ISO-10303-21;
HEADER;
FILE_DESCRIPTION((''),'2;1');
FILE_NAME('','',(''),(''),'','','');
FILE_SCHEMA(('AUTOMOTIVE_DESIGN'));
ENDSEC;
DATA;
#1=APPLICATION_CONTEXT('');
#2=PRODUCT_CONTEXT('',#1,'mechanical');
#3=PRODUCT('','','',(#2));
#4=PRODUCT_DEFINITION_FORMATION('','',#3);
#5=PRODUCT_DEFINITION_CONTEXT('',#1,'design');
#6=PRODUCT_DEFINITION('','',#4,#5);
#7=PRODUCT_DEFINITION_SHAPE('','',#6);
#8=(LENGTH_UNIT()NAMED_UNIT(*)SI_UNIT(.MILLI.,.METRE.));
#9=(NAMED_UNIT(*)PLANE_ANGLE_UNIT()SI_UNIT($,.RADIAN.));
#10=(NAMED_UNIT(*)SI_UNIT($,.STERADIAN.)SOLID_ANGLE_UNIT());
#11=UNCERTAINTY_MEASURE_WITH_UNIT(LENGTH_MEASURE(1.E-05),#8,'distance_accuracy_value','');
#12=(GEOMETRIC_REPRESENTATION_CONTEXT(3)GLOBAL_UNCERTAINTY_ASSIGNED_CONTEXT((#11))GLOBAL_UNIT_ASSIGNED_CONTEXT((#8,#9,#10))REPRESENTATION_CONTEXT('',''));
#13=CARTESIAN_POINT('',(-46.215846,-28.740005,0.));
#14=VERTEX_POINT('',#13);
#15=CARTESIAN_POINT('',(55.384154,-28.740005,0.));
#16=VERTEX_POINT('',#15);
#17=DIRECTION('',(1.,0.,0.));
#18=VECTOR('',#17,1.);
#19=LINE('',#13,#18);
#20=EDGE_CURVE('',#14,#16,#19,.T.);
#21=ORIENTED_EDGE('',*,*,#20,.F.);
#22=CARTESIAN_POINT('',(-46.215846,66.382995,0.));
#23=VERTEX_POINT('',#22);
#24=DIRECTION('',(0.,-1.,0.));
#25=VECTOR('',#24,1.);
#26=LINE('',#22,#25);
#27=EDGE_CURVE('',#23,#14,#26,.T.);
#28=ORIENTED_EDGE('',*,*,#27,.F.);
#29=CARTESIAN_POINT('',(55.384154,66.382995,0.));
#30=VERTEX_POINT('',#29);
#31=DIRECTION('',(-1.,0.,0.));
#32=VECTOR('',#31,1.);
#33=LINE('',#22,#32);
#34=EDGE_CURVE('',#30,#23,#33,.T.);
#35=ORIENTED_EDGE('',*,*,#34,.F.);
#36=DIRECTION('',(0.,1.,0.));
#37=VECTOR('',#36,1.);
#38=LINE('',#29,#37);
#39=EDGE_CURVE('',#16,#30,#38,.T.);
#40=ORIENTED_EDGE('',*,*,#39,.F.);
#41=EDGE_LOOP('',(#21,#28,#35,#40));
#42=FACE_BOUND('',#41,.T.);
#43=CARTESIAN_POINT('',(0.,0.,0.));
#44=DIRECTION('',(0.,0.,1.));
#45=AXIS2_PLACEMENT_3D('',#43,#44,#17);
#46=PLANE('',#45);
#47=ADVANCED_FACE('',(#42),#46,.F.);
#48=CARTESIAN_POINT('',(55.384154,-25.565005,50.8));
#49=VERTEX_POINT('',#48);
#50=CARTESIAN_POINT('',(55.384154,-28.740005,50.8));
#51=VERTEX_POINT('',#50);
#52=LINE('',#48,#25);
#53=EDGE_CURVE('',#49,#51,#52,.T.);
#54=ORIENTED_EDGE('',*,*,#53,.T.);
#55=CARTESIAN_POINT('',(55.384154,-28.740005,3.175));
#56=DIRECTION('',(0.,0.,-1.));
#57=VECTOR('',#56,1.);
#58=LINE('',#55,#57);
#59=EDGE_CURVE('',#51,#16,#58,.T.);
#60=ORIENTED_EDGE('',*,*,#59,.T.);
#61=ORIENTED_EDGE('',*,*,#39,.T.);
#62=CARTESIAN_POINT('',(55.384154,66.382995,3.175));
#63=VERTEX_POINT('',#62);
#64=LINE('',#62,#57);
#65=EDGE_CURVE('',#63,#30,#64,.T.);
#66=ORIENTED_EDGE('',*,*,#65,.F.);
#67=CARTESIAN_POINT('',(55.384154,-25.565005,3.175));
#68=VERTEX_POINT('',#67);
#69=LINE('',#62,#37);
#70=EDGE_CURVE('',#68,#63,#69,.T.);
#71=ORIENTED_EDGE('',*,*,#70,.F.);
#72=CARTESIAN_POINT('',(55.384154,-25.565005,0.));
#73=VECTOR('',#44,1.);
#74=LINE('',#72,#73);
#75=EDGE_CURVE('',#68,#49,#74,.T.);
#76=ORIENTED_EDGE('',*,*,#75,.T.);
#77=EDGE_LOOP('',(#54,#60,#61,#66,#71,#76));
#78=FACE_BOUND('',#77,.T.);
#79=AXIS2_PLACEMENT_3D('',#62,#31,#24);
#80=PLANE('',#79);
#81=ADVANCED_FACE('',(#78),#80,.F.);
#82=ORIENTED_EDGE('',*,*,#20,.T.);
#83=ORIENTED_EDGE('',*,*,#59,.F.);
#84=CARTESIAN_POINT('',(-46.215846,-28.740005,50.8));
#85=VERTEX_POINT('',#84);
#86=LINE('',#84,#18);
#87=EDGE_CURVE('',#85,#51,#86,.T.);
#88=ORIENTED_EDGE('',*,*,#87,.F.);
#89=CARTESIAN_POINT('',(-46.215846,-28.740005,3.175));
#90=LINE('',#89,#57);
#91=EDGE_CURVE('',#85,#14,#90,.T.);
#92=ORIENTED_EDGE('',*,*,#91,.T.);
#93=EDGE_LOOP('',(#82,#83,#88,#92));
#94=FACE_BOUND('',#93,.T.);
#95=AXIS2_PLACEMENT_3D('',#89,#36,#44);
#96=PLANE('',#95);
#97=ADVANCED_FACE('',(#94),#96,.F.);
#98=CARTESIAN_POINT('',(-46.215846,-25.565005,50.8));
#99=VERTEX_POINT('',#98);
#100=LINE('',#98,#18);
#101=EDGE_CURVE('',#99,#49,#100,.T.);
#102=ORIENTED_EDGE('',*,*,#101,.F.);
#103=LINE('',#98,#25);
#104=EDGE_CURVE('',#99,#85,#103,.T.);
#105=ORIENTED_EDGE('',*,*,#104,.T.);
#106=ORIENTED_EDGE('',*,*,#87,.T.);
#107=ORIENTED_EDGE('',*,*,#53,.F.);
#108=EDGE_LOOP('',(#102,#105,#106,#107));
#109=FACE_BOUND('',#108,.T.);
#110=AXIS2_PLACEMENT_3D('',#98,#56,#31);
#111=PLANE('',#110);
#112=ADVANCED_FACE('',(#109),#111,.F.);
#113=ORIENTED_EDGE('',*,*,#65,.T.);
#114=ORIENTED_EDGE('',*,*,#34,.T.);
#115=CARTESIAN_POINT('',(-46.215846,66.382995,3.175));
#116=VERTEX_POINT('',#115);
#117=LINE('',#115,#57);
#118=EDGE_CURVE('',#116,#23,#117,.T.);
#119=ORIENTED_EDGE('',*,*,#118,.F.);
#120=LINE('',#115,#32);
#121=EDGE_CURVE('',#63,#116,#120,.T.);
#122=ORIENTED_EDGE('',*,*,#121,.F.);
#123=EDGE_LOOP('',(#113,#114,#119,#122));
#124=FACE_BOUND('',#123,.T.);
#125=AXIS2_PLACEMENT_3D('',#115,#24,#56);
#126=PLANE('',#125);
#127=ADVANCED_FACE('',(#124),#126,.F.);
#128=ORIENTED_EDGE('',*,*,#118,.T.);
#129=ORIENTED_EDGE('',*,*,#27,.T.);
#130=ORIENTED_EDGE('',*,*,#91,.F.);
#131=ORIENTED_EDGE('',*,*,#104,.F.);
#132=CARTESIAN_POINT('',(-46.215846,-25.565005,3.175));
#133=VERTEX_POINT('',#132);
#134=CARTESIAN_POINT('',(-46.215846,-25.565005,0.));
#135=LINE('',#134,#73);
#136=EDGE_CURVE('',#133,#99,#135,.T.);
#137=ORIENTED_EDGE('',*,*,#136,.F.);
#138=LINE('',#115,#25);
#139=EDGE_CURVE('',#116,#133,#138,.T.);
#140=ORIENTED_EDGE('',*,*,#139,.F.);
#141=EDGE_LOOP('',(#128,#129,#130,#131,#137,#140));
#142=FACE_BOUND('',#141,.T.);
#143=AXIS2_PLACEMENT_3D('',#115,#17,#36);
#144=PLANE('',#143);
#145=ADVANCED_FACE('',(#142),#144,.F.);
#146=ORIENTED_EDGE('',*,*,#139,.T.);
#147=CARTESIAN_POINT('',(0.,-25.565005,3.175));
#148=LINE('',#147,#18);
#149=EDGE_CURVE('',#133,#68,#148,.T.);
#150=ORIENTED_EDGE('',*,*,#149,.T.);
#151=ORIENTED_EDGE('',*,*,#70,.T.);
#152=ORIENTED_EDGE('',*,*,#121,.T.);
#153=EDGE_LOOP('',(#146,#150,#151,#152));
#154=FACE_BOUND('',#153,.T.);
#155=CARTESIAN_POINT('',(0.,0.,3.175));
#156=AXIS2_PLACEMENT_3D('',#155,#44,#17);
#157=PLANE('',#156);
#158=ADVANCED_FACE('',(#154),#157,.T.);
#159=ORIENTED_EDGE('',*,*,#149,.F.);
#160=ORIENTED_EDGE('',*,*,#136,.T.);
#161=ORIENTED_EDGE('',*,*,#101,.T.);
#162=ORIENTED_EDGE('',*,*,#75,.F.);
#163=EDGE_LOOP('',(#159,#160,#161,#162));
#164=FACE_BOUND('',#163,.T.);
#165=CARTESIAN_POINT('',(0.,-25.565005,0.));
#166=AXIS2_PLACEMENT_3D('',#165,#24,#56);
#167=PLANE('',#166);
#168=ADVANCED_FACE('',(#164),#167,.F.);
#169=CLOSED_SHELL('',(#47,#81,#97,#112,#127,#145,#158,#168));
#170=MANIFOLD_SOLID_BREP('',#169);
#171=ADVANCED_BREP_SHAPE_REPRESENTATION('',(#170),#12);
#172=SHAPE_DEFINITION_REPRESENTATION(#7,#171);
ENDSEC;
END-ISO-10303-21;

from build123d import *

# Parameters (mm, degrees)
SKETCH1_W           = 101.6
SKETCH1_H           = 95.123
BOSS_EXTRUDE1_DEPTH = 3.175
SKETCH2_W           = 101.6
SKETCH2_H           = 50.8
BOSS_EXTRUDE2_DEPTH = 3.175


with BuildPart() as part:
    # Sketch1 → Boss-Extrude1 (new body)
    with BuildSketch(Plane.XY):
        with Locations((4.584153793, 18.821494918)):
            Rectangle(SKETCH1_W, SKETCH1_H)
    extrude(amount=BOSS_EXTRUDE1_DEPTH)

    # Sketch2 → Boss-Extrude2 (add)
    with BuildSketch(Plane(origin=(0, -28.740005082, 0), x_dir=(-1, 0, 0), z_dir=(0, -1, 0))):
        with Locations((-4.584153793, -25.4)):
            Rectangle(SKETCH2_W, SKETCH2_H)
    extrude(amount=-BOSS_EXTRUDE2_DEPTH)


solid = part.part
